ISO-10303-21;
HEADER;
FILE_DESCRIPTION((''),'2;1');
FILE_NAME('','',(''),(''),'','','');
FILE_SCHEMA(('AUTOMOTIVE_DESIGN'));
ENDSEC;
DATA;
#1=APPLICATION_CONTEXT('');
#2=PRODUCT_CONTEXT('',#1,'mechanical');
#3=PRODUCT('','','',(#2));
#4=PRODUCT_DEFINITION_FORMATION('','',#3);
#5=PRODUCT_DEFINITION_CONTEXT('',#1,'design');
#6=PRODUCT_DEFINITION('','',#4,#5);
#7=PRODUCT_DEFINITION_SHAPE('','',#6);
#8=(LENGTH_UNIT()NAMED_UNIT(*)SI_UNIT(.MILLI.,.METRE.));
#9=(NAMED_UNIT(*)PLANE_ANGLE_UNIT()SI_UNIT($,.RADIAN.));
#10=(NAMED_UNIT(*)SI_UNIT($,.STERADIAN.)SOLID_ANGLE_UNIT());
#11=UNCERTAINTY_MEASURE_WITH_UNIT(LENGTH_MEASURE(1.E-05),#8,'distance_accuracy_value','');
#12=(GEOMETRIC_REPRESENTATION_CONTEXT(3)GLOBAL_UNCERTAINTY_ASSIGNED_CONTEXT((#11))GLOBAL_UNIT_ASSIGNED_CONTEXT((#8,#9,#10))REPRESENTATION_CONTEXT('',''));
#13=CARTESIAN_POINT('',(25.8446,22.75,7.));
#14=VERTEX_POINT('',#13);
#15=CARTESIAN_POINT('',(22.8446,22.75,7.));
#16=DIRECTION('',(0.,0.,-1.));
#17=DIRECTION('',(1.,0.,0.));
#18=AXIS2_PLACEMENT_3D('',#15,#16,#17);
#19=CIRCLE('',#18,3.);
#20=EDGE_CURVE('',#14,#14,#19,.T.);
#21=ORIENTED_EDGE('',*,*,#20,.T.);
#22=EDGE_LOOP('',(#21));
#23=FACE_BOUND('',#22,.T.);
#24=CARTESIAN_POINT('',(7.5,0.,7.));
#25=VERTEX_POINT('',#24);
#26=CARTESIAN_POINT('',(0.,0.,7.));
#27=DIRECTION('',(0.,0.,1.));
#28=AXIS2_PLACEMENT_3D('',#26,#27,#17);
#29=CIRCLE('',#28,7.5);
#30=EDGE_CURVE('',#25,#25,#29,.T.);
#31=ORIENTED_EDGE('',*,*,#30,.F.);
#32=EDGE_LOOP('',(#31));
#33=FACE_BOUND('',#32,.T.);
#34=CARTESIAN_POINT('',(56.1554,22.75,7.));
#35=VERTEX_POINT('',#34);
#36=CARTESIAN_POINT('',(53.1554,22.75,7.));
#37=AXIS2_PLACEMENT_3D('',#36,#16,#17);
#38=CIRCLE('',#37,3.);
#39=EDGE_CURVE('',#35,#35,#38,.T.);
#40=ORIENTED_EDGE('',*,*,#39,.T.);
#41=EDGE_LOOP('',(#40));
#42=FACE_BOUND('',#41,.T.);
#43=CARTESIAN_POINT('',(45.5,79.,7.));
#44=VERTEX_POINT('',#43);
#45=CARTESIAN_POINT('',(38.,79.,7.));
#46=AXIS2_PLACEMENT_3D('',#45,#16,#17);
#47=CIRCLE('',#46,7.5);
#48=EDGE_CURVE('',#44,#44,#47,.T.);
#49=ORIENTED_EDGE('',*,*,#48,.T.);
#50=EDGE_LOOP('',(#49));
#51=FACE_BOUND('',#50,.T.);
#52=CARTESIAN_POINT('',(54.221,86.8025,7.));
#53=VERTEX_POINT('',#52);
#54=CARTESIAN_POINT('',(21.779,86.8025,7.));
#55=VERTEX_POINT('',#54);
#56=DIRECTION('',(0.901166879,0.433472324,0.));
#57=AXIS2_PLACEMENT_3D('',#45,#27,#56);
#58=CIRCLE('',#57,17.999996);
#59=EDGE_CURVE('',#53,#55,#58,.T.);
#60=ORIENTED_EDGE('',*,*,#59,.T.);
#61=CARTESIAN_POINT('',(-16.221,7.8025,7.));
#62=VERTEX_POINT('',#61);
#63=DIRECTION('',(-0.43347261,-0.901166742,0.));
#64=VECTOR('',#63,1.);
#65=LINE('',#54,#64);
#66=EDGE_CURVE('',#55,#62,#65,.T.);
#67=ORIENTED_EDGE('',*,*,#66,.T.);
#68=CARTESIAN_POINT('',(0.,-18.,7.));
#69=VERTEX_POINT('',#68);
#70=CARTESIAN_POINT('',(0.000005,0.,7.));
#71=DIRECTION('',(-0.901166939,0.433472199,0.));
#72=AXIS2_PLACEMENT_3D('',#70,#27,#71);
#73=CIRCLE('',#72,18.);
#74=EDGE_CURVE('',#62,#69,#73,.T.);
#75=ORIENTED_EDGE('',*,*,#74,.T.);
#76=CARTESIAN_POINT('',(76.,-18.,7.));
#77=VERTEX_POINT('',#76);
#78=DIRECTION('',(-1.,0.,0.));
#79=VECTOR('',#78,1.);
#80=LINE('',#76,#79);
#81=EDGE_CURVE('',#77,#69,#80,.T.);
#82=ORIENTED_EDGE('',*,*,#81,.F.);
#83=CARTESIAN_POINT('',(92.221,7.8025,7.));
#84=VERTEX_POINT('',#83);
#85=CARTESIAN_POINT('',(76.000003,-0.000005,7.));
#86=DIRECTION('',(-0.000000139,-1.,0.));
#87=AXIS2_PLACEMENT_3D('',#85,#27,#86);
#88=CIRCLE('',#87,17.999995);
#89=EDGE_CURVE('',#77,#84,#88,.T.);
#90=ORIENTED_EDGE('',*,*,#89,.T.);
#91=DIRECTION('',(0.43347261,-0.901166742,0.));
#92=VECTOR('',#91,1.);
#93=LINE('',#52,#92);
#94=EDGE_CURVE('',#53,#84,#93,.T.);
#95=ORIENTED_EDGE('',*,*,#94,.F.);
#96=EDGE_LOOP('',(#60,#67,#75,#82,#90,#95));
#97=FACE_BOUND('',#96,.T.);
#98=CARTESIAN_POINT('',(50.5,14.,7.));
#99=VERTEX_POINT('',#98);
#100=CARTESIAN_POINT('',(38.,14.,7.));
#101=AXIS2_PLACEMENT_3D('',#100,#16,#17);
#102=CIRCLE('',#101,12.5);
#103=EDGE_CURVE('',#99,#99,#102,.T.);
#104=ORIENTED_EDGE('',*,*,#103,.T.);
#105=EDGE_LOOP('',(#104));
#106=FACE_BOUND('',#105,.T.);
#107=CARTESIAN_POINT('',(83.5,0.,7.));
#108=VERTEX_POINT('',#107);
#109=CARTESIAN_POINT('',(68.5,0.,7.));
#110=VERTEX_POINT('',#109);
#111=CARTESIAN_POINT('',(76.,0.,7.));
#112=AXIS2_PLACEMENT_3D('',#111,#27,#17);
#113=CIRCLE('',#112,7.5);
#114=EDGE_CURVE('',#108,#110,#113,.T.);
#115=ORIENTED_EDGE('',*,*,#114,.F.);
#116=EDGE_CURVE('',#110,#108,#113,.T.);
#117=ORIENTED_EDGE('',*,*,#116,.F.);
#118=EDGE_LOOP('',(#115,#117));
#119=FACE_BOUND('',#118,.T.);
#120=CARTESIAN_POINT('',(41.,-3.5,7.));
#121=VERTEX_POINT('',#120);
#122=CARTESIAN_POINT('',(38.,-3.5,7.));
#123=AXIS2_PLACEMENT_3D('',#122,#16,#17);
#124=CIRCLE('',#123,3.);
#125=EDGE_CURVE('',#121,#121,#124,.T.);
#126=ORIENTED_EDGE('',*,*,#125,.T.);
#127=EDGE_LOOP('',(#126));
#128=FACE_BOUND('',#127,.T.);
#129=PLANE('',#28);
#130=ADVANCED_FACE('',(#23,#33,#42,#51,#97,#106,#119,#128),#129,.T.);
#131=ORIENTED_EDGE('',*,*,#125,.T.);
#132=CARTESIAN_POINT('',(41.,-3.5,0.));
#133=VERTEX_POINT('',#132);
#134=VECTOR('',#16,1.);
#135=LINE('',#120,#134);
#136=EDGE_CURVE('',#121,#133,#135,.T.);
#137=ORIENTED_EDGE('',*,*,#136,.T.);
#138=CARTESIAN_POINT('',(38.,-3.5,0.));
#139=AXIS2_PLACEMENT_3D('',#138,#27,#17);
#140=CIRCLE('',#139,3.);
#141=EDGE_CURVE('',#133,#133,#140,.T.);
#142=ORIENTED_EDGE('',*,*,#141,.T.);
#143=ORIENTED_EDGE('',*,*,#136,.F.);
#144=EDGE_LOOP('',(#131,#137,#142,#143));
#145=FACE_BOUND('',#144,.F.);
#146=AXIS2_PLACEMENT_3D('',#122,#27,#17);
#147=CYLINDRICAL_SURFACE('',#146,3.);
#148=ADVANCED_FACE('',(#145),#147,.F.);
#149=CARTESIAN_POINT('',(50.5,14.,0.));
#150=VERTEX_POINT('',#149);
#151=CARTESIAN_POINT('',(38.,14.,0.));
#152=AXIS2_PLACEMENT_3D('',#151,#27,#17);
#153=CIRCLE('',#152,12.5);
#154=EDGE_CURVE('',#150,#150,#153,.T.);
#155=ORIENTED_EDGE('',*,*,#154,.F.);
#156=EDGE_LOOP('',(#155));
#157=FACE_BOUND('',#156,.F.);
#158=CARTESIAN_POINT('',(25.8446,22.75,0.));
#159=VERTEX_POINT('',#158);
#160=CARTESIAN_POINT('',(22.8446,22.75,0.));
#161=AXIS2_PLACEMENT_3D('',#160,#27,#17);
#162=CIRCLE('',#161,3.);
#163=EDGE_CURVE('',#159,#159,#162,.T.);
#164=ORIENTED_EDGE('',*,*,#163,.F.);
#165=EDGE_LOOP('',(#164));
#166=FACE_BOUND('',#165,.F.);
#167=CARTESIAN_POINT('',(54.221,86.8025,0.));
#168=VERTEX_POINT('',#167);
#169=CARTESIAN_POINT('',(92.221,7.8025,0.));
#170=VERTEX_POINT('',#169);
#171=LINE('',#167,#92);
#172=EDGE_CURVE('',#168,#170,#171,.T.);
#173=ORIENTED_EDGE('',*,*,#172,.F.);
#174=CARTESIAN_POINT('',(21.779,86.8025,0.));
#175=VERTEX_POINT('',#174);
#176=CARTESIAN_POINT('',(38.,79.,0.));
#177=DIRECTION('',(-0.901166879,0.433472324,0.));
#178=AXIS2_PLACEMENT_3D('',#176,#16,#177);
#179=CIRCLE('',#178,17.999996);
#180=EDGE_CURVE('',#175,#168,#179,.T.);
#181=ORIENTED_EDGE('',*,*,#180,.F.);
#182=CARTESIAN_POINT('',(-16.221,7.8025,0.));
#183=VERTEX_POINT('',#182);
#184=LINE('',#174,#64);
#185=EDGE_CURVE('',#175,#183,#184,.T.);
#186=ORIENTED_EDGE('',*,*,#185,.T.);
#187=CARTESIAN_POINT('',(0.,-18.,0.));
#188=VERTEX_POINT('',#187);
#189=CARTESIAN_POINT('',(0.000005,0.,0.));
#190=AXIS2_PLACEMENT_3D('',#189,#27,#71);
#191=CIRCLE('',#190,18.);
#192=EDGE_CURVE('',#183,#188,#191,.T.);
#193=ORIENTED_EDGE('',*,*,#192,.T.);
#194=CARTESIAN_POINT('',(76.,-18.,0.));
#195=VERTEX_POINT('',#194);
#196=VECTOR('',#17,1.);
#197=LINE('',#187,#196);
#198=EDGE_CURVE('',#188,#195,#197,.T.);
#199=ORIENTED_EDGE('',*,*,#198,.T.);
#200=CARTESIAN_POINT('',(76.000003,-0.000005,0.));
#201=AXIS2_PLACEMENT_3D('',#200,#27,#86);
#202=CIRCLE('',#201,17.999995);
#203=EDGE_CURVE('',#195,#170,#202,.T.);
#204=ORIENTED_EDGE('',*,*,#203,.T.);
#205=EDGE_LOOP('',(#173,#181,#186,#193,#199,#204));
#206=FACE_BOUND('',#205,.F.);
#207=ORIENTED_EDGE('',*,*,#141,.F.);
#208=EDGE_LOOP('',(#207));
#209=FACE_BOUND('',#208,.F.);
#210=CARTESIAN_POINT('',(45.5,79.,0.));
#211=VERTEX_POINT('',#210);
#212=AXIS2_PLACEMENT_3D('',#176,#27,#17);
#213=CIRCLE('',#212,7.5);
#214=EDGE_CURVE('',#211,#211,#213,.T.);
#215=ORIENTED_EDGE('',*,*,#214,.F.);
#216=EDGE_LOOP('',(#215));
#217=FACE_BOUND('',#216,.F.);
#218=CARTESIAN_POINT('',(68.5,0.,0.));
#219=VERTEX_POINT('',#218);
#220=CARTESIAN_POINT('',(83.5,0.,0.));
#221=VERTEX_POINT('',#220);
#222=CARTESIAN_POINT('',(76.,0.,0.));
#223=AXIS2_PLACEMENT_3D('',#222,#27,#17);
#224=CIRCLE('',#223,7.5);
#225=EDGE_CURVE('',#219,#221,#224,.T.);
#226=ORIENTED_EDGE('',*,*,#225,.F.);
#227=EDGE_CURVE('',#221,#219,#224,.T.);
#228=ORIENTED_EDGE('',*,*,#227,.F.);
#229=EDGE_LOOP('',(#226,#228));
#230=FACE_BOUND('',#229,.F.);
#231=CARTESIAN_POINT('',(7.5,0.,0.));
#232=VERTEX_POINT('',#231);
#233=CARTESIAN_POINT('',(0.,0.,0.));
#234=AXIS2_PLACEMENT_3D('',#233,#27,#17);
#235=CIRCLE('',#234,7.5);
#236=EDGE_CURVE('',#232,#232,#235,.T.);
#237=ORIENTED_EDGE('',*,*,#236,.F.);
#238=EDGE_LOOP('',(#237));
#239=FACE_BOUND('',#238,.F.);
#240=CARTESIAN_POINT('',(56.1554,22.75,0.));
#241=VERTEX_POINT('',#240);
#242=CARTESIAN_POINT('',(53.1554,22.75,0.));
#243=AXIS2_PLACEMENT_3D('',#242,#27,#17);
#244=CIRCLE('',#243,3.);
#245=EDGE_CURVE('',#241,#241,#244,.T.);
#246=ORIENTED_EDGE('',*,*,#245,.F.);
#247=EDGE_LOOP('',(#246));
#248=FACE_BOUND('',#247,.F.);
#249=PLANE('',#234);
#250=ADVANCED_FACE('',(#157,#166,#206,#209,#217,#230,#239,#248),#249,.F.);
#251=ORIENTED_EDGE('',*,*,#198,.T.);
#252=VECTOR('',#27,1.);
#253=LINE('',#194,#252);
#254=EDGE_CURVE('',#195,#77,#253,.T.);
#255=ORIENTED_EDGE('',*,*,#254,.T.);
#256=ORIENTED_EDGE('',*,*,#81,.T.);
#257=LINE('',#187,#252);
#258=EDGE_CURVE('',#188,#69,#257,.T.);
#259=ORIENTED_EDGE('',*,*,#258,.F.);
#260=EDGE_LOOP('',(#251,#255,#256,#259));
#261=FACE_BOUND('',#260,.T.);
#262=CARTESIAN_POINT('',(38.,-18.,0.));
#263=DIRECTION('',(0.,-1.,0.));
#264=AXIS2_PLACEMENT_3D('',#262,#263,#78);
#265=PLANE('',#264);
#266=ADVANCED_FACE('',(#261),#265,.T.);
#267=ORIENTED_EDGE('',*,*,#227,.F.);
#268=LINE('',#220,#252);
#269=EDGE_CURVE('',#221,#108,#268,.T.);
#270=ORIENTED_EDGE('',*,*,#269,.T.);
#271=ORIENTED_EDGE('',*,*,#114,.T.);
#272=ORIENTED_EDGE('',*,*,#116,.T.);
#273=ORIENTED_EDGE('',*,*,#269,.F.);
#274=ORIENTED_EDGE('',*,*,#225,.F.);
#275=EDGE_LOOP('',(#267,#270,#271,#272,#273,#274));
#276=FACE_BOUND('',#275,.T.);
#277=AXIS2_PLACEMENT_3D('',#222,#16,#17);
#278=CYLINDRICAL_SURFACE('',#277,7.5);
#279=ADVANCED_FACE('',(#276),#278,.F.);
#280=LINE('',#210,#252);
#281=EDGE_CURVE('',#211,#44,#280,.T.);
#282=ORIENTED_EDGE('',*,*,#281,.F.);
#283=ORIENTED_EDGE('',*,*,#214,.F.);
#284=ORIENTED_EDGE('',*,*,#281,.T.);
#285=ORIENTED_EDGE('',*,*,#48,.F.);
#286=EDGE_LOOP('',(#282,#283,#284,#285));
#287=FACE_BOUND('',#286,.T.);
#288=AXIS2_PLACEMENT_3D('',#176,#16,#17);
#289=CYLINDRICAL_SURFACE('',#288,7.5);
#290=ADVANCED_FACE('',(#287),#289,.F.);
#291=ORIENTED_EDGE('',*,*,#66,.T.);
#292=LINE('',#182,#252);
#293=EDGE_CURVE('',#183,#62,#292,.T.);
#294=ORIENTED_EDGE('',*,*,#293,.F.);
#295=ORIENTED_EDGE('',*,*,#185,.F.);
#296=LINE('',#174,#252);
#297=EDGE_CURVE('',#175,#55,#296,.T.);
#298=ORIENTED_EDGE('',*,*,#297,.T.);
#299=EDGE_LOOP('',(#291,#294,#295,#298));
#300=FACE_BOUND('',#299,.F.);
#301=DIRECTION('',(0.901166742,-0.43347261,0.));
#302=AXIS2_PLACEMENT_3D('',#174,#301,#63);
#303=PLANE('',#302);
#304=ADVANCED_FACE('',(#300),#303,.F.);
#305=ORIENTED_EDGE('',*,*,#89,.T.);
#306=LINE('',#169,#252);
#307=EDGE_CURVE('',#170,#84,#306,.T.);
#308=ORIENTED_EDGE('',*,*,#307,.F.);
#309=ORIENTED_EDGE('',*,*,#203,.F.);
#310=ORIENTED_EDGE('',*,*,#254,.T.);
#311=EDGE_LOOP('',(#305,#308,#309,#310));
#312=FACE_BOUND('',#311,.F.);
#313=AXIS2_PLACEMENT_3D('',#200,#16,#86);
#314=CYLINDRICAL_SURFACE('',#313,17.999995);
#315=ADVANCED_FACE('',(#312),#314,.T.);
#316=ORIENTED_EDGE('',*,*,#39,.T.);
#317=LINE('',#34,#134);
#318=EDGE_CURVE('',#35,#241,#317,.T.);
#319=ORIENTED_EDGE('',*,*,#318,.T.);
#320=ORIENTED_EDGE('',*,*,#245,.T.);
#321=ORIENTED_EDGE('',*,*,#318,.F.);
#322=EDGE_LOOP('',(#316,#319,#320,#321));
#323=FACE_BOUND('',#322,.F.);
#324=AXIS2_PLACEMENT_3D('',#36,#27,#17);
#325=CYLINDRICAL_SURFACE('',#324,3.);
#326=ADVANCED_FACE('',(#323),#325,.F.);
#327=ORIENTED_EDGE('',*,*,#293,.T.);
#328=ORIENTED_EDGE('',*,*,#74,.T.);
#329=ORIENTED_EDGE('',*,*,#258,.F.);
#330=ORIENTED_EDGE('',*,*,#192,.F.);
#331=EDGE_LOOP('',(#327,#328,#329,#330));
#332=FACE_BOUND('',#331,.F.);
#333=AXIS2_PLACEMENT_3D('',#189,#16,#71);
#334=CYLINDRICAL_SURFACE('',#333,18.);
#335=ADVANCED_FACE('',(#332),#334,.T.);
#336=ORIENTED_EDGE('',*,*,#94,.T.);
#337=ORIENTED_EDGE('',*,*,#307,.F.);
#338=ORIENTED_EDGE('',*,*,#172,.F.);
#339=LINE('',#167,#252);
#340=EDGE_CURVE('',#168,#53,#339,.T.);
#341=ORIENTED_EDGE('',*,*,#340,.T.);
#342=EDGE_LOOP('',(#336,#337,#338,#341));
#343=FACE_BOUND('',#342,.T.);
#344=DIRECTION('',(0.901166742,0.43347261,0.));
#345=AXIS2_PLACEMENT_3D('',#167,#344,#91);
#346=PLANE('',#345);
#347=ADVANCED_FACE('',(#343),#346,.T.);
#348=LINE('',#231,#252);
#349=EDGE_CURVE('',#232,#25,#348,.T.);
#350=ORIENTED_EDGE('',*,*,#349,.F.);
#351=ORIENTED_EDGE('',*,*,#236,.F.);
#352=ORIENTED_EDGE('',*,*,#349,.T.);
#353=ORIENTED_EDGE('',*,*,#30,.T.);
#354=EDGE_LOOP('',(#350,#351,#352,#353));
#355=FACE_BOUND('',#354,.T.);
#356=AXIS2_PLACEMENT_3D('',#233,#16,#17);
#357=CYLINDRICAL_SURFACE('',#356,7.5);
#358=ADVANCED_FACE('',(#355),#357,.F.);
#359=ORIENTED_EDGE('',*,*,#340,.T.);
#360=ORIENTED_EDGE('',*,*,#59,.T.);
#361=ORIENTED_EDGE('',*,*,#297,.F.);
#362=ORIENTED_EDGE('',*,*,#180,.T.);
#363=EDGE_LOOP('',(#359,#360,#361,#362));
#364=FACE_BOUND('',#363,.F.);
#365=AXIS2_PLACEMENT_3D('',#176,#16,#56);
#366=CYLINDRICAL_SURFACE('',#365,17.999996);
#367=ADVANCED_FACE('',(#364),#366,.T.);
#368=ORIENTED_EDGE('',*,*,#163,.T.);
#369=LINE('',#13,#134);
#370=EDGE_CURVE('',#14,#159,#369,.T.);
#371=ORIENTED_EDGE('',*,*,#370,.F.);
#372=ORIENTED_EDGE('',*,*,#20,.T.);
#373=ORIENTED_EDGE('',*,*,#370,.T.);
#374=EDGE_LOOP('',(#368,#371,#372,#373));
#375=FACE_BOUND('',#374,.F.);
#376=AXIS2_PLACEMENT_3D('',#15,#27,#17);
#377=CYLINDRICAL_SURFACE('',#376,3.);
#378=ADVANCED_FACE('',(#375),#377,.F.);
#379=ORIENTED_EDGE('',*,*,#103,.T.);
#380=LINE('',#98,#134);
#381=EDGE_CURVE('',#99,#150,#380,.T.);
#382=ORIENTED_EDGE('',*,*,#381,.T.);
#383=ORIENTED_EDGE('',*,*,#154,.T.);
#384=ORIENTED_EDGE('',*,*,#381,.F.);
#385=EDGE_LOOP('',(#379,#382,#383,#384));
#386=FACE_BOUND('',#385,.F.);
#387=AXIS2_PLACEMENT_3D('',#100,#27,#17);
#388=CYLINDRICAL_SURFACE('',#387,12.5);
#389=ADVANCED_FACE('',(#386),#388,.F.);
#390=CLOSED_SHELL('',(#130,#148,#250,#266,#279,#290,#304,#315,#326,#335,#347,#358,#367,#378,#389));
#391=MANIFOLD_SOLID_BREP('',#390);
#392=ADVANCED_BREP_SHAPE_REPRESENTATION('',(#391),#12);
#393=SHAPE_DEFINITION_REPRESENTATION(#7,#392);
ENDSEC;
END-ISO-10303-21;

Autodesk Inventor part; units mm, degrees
ref_plane "YZ Plane" through (0, 0, 0) normal (1, 0, 0) x (0, 1, 0)
ref_plane "XZ Plane" through (0, 0, 0) normal (0, 1, 0) x (-1, 0, 0)
ref_plane "XY Plane" through (0, 0, 0) normal (0, 0, 1) x (1, 0, 0)
sketch "Sketch1" plane through (0, 0, 0) normal (0, 0, 1) x (1, 0, 0)
  line L0 (0, 0) -> (76, 0)
  circle A0 centre (0, 0) radius 7.5
  circle A1 centre (76, 0) radius 7.5
  line L1 (38, 0) -> (38, 115)
  line L2 (38, 115) -> (38, 79)
  circle A2 centre (38, 79) radius 7.5
  arc A3 (54.221, 86.8025) -> (21.779, 86.8025) centre (38, 79) ccw
  arc A4 (-16.221, 7.8025) -> (0, -18) centre (0, 0) ccw
  arc A5 (76, -18) -> (92.221, 7.8025) centre (76, 0) ccw
  line L3 (54.221, 86.8025) -> (92.221, 7.8025)
  line L4 (76, -18) -> (0, -18)
  line L5 (21.779, 86.8025) -> (-16.221, 7.8025)
  line L6 (18, 0) -> (39.1073, 0) construction
  line L7 (38, -18) -> (38, 79)
  point P0 (21.2402, 103.5657)
  point P1 (54.7598, 103.5657)
  dimension "d1" = 76
  dimension "d2" = 15
  dimension "d3" = 15
  dimension "d4" = 115
  dimension "d5" = 36
  dimension "d6" = 15
  dimension "d7" = 36
  dimension "d8" = 36
  dimension "d9" = 36
  dimension "d14" = 97
extrude "Extrusion1" add sketch "Sketch1" along normal blind 7 contours L7 L4 A4 L5 A3 L1 A2 | L1 A2 A3 L3 A5 L4 L7
sketch "Sketch3" plane through (0, 0, 7) normal (0, 0, 1) x (1, 0, 0)
  circle A0 centre (76, 0) radius 7.5 projected
  line L0 (76, -7.5) -> (38, -7.5)
  line L1 (0, -18) -> (76, -18) projected
  line L2 (38, -18) -> (38, 14)
  circle A1 centre (38, 14) radius 12.5
  line L3 (38, 14) -> (46.2567, 14) construction
  line L4 (38, 14) -> (59.6506, 26.5)
  line L5 (38, 14) -> (63, 14) construction
  line L6 (38, 14) -> (20.5721, 24.062)
  line L7 (38, 14) -> (58.124, 14) construction
  line L8 (57, -7.5) -> (57, 24.9697)
  line L9 (38, -7.5) -> (0, -7.5)
  circle A2 centre (0, 0) radius 7.5 projected
  line L10 (19, -7.5) -> (19, 24.9697)
  line L11 (19, 24.9697) -> (23.5265, 22.3563)
  line L12 (0, 0) -> (38, 14)
  circle A3 centre (38, 14) radius 17.5
  circle A4 centre (22.8446, 22.75) radius 3
  circle A5 centre (38, -3.5) radius 3
  circle A6 centre (53.1554, 22.75) radius 3
  dimension "d27" = 35
  dimension "d15" = 38
  dimension "d16" = 32
  dimension "d17" = 25
  dimension "d19" = 30
  dimension "d20" = 150
  dimension "d28" = 6
  dimension "d31" = 360
extrude "Extrusion2" cut sketch "Sketch3" against normal blind 7 contours A5 A3 L2 | L2 A3 A5 | A6 A3 L4 | L4 A3 A6 | A3 A5 L2 | L2 A5 A3 | A3 A6 L4 | L4 A6 A3 | A4 L6 A3 | A3 L6 L11 A4 | A1 L12 L2 | L2 L4 A1 | A1 L6 L12 | A4 L11 L6 A3 | A3 L6 A4 | L4 L6 A1
properties part number "Triangle" material "Nickel-Copper Alloy 400"
